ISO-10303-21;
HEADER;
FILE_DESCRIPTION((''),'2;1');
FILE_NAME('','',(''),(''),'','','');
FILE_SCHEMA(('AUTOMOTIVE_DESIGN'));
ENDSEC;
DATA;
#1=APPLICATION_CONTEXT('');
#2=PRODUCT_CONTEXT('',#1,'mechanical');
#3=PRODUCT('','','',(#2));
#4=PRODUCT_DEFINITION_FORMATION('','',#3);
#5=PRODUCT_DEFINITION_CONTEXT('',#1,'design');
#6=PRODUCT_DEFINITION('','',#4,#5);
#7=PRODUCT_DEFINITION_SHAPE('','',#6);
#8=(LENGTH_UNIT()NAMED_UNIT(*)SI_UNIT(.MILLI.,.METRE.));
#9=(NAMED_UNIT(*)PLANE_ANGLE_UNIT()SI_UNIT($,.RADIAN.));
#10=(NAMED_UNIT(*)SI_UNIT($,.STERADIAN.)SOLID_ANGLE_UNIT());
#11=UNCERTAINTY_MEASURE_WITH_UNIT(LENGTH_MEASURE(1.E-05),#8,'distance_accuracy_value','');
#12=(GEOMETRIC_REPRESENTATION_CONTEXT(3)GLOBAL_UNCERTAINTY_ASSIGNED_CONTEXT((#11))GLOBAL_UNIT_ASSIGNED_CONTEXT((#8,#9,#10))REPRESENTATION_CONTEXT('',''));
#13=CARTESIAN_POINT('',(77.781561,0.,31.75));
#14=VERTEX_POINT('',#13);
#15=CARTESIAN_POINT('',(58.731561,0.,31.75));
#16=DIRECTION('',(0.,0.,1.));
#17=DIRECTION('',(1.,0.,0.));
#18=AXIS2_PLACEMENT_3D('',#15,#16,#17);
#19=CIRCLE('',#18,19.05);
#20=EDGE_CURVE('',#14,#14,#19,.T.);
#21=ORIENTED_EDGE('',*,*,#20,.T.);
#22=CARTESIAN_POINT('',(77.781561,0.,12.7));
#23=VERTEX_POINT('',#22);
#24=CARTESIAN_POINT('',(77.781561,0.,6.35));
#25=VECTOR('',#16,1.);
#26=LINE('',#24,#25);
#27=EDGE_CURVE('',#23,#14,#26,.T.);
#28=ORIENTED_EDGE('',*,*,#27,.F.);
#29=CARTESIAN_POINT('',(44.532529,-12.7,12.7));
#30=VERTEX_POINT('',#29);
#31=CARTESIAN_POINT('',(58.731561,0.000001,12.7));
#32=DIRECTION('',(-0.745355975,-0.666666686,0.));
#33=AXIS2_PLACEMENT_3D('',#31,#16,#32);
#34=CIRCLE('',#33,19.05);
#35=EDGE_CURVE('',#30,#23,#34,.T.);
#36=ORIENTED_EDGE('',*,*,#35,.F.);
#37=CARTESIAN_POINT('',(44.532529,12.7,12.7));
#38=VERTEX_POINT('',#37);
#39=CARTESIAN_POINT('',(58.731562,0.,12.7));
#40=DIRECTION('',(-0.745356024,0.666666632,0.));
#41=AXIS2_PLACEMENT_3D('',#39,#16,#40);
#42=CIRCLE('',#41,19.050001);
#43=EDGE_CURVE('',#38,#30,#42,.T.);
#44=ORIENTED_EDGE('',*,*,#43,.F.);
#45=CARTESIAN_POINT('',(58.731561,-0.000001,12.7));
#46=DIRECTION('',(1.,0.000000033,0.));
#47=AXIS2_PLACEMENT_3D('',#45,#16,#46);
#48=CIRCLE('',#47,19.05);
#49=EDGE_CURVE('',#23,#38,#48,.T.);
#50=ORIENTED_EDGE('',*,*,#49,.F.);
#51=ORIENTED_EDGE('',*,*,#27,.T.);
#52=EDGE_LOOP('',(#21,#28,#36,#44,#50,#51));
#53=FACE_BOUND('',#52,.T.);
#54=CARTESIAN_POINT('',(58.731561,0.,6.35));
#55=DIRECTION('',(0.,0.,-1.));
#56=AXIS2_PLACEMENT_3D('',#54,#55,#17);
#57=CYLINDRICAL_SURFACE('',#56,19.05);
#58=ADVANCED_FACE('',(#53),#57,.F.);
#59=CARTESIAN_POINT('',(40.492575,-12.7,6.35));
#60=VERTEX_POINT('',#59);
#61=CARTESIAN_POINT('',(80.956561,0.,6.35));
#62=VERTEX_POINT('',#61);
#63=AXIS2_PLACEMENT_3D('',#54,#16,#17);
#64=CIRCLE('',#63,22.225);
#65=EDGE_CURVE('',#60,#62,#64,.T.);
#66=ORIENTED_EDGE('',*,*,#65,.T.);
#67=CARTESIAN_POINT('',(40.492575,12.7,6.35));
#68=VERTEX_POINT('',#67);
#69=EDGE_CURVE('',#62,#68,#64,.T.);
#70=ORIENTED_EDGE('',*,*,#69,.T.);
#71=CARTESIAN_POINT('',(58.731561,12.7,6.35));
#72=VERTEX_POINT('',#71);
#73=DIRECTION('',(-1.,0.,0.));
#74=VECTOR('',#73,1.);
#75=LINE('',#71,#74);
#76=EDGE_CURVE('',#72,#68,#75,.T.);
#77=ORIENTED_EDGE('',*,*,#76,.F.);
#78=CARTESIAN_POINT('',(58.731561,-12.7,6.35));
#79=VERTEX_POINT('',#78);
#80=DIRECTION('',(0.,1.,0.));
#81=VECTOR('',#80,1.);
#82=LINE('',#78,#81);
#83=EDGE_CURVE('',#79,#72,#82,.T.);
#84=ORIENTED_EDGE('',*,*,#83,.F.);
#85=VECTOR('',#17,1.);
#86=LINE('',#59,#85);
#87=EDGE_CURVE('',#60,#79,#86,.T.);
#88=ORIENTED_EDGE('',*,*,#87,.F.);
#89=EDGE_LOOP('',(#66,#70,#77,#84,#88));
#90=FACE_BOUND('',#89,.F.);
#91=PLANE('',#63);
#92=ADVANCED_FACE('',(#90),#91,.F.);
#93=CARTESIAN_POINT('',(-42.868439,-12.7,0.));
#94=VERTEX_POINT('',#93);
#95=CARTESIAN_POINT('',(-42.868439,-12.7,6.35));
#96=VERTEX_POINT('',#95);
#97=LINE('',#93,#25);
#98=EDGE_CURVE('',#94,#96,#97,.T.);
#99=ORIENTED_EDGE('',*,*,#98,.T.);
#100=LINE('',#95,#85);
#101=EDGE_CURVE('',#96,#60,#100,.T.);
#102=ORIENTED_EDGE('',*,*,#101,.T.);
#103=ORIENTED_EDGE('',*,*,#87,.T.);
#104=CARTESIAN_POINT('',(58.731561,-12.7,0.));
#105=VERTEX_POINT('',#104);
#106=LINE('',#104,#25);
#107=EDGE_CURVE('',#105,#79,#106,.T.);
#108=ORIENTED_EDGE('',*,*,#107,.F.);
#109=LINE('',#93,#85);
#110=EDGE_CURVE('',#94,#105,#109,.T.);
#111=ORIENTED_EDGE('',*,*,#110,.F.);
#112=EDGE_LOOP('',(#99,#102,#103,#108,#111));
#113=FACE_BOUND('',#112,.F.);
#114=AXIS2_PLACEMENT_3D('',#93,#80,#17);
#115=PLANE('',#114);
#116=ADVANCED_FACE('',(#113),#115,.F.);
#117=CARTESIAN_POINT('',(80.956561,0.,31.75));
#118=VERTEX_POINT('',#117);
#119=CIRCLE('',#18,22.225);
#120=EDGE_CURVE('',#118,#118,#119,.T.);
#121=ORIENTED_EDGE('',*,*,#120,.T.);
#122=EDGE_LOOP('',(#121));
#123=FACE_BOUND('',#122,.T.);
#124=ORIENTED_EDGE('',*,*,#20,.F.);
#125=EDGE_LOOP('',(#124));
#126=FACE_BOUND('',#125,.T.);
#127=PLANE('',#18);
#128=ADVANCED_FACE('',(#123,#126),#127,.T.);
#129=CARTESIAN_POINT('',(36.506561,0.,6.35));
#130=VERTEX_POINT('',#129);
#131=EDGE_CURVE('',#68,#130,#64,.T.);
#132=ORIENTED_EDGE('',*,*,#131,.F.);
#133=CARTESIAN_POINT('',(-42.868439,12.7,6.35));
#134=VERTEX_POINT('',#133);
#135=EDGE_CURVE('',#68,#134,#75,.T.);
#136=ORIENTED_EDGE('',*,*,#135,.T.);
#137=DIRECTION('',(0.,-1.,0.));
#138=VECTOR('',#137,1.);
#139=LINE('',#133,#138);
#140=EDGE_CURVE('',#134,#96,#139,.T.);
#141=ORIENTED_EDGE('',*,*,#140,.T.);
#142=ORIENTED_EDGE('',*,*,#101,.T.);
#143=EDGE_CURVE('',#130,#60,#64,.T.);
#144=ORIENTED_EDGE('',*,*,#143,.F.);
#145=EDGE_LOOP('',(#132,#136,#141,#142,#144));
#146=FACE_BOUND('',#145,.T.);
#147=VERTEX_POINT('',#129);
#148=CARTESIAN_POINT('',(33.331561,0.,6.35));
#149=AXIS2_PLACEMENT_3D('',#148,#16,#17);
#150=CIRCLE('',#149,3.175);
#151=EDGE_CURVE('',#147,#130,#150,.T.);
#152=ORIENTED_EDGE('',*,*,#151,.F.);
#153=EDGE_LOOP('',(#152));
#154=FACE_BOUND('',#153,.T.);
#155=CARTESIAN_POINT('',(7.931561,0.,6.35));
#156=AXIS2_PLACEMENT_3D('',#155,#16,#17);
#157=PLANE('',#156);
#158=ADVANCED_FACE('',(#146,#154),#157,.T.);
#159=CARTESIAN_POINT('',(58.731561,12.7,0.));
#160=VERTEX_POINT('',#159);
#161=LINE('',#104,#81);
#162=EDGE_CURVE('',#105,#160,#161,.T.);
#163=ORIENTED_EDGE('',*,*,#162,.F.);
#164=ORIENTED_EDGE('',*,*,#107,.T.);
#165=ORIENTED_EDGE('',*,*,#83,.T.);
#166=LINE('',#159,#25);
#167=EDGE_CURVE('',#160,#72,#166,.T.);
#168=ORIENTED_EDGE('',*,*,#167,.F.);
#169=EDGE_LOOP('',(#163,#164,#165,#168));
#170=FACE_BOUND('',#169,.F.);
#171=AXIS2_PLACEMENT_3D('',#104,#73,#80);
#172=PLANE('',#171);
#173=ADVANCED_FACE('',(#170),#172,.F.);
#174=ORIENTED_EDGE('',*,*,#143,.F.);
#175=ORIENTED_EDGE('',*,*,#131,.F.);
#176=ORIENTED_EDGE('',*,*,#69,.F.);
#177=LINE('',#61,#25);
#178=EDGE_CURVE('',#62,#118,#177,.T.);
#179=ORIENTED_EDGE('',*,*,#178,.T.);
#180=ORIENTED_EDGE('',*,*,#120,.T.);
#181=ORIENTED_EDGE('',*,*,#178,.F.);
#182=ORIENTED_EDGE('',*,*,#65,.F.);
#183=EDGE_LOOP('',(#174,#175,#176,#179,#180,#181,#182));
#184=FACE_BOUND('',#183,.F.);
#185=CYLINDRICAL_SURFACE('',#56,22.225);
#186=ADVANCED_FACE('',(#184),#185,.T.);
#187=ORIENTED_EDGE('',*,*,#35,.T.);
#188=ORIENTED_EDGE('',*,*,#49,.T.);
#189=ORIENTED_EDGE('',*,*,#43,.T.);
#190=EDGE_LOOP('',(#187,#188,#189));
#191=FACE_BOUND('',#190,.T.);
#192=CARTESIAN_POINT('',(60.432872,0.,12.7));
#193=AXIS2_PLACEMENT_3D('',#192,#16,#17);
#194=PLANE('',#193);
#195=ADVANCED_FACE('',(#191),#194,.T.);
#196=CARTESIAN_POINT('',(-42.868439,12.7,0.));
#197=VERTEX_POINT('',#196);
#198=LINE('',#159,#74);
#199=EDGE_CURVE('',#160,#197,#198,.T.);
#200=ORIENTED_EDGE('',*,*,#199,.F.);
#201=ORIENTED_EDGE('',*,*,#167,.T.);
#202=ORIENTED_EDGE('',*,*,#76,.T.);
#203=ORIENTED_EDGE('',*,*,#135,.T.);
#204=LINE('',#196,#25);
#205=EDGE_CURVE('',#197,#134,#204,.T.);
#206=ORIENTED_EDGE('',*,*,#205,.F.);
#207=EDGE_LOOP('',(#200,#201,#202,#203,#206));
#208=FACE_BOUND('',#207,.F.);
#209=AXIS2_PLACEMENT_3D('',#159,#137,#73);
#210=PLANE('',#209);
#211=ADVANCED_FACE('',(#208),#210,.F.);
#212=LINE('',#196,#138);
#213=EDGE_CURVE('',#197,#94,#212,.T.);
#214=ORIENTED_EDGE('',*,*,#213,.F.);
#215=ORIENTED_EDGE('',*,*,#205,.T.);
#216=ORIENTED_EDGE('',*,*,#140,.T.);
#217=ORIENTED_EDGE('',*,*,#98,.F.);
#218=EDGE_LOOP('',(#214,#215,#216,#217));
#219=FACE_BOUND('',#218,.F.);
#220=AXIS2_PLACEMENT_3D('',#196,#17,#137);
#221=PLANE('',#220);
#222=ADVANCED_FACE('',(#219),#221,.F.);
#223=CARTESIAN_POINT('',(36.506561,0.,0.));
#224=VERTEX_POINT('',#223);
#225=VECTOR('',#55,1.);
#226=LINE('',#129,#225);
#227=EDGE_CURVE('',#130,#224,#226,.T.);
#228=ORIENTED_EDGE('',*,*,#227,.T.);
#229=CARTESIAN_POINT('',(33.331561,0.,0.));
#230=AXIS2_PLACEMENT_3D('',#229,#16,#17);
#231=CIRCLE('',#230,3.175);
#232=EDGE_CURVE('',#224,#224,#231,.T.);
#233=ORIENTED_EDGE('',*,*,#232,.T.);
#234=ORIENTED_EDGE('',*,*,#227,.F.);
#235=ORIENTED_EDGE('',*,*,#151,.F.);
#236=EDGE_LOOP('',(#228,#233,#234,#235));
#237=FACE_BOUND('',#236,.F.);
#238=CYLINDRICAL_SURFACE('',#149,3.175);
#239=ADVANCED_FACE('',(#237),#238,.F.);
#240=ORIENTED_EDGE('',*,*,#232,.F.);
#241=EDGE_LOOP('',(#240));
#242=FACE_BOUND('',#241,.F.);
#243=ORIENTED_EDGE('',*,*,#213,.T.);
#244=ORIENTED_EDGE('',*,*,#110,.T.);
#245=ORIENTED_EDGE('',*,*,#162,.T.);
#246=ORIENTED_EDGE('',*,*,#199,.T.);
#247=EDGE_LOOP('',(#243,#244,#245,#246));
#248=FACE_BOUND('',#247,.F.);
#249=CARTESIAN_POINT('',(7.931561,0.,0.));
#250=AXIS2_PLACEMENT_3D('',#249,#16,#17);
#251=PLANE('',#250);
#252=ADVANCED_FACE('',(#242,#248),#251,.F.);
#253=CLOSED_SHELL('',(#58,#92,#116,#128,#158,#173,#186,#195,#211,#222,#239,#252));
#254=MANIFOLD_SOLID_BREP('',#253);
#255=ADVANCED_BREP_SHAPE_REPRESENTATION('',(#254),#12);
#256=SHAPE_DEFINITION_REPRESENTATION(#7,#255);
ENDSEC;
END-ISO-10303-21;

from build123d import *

# Parameters (mm, degrees)
F1_DEPTH = 6.35
F2_R     = 3.175
F3_DEPTH = 6.35
F5_DEPTH = 6.35
F4_R     = 22.225
F4_R_2   = 19.05
F6_DEPTH = 25.4


with BuildPart() as f1:
    # F0 (on Top) → F1 (new body)
    with BuildSketch(Plane.XY):
        Polygon((-42.868439, 12.7), (-42.868439, 0), (-42.868439, -12.7), (58.731561, -12.7), (58.731561, 12.7), align=None)
    extrude(amount=F1_DEPTH)

    # F2 (on face) → F3 (cut)
    with BuildSketch(Plane.XY.offset(6.35)):
        with Locations((33.331561, 0)):
            Circle(F2_R)
    extrude(amount=-F3_DEPTH, mode=Mode.SUBTRACT)

    # F4 (on face) → F5 (join)
    with BuildSketch(Plane.XY.offset(6.35)):
        with BuildLine():
            ThreePointArc((77.781561, 0), (65.529022, 17.795983), (44.532529, 12.7))
            Line((44.532529, 12.7), (58.731561, 12.7))
            Line((58.731561, 12.7), (58.731561, -12.7))
            Line((58.731561, -12.7), (44.532529, -12.7))
            ThreePointArc((44.532529, -12.7), (65.529022, -17.795983), (77.781561, 0))
        make_face()
        with BuildLine():
            Line((58.731561, 12.7), (44.532529, 12.7))
            ThreePointArc((44.532529, 12.7), (39.681561, 0), (44.532529, -12.7))
            Line((44.532529, -12.7), (58.731561, -12.7))
            Line((58.731561, -12.7), (58.731561, 12.7))
        make_face()
    extrude(amount=F5_DEPTH)

    # F4 (on face) → F6 (join)
    with BuildSketch(Plane.XY.offset(6.35)):
        with Locations((58.731561, 0)):
            Circle(F4_R)
        with Locations((58.731561, 0)):
            Circle(F4_R_2, mode=Mode.SUBTRACT)
    extrude(amount=F6_DEPTH)


solid = f1.part
